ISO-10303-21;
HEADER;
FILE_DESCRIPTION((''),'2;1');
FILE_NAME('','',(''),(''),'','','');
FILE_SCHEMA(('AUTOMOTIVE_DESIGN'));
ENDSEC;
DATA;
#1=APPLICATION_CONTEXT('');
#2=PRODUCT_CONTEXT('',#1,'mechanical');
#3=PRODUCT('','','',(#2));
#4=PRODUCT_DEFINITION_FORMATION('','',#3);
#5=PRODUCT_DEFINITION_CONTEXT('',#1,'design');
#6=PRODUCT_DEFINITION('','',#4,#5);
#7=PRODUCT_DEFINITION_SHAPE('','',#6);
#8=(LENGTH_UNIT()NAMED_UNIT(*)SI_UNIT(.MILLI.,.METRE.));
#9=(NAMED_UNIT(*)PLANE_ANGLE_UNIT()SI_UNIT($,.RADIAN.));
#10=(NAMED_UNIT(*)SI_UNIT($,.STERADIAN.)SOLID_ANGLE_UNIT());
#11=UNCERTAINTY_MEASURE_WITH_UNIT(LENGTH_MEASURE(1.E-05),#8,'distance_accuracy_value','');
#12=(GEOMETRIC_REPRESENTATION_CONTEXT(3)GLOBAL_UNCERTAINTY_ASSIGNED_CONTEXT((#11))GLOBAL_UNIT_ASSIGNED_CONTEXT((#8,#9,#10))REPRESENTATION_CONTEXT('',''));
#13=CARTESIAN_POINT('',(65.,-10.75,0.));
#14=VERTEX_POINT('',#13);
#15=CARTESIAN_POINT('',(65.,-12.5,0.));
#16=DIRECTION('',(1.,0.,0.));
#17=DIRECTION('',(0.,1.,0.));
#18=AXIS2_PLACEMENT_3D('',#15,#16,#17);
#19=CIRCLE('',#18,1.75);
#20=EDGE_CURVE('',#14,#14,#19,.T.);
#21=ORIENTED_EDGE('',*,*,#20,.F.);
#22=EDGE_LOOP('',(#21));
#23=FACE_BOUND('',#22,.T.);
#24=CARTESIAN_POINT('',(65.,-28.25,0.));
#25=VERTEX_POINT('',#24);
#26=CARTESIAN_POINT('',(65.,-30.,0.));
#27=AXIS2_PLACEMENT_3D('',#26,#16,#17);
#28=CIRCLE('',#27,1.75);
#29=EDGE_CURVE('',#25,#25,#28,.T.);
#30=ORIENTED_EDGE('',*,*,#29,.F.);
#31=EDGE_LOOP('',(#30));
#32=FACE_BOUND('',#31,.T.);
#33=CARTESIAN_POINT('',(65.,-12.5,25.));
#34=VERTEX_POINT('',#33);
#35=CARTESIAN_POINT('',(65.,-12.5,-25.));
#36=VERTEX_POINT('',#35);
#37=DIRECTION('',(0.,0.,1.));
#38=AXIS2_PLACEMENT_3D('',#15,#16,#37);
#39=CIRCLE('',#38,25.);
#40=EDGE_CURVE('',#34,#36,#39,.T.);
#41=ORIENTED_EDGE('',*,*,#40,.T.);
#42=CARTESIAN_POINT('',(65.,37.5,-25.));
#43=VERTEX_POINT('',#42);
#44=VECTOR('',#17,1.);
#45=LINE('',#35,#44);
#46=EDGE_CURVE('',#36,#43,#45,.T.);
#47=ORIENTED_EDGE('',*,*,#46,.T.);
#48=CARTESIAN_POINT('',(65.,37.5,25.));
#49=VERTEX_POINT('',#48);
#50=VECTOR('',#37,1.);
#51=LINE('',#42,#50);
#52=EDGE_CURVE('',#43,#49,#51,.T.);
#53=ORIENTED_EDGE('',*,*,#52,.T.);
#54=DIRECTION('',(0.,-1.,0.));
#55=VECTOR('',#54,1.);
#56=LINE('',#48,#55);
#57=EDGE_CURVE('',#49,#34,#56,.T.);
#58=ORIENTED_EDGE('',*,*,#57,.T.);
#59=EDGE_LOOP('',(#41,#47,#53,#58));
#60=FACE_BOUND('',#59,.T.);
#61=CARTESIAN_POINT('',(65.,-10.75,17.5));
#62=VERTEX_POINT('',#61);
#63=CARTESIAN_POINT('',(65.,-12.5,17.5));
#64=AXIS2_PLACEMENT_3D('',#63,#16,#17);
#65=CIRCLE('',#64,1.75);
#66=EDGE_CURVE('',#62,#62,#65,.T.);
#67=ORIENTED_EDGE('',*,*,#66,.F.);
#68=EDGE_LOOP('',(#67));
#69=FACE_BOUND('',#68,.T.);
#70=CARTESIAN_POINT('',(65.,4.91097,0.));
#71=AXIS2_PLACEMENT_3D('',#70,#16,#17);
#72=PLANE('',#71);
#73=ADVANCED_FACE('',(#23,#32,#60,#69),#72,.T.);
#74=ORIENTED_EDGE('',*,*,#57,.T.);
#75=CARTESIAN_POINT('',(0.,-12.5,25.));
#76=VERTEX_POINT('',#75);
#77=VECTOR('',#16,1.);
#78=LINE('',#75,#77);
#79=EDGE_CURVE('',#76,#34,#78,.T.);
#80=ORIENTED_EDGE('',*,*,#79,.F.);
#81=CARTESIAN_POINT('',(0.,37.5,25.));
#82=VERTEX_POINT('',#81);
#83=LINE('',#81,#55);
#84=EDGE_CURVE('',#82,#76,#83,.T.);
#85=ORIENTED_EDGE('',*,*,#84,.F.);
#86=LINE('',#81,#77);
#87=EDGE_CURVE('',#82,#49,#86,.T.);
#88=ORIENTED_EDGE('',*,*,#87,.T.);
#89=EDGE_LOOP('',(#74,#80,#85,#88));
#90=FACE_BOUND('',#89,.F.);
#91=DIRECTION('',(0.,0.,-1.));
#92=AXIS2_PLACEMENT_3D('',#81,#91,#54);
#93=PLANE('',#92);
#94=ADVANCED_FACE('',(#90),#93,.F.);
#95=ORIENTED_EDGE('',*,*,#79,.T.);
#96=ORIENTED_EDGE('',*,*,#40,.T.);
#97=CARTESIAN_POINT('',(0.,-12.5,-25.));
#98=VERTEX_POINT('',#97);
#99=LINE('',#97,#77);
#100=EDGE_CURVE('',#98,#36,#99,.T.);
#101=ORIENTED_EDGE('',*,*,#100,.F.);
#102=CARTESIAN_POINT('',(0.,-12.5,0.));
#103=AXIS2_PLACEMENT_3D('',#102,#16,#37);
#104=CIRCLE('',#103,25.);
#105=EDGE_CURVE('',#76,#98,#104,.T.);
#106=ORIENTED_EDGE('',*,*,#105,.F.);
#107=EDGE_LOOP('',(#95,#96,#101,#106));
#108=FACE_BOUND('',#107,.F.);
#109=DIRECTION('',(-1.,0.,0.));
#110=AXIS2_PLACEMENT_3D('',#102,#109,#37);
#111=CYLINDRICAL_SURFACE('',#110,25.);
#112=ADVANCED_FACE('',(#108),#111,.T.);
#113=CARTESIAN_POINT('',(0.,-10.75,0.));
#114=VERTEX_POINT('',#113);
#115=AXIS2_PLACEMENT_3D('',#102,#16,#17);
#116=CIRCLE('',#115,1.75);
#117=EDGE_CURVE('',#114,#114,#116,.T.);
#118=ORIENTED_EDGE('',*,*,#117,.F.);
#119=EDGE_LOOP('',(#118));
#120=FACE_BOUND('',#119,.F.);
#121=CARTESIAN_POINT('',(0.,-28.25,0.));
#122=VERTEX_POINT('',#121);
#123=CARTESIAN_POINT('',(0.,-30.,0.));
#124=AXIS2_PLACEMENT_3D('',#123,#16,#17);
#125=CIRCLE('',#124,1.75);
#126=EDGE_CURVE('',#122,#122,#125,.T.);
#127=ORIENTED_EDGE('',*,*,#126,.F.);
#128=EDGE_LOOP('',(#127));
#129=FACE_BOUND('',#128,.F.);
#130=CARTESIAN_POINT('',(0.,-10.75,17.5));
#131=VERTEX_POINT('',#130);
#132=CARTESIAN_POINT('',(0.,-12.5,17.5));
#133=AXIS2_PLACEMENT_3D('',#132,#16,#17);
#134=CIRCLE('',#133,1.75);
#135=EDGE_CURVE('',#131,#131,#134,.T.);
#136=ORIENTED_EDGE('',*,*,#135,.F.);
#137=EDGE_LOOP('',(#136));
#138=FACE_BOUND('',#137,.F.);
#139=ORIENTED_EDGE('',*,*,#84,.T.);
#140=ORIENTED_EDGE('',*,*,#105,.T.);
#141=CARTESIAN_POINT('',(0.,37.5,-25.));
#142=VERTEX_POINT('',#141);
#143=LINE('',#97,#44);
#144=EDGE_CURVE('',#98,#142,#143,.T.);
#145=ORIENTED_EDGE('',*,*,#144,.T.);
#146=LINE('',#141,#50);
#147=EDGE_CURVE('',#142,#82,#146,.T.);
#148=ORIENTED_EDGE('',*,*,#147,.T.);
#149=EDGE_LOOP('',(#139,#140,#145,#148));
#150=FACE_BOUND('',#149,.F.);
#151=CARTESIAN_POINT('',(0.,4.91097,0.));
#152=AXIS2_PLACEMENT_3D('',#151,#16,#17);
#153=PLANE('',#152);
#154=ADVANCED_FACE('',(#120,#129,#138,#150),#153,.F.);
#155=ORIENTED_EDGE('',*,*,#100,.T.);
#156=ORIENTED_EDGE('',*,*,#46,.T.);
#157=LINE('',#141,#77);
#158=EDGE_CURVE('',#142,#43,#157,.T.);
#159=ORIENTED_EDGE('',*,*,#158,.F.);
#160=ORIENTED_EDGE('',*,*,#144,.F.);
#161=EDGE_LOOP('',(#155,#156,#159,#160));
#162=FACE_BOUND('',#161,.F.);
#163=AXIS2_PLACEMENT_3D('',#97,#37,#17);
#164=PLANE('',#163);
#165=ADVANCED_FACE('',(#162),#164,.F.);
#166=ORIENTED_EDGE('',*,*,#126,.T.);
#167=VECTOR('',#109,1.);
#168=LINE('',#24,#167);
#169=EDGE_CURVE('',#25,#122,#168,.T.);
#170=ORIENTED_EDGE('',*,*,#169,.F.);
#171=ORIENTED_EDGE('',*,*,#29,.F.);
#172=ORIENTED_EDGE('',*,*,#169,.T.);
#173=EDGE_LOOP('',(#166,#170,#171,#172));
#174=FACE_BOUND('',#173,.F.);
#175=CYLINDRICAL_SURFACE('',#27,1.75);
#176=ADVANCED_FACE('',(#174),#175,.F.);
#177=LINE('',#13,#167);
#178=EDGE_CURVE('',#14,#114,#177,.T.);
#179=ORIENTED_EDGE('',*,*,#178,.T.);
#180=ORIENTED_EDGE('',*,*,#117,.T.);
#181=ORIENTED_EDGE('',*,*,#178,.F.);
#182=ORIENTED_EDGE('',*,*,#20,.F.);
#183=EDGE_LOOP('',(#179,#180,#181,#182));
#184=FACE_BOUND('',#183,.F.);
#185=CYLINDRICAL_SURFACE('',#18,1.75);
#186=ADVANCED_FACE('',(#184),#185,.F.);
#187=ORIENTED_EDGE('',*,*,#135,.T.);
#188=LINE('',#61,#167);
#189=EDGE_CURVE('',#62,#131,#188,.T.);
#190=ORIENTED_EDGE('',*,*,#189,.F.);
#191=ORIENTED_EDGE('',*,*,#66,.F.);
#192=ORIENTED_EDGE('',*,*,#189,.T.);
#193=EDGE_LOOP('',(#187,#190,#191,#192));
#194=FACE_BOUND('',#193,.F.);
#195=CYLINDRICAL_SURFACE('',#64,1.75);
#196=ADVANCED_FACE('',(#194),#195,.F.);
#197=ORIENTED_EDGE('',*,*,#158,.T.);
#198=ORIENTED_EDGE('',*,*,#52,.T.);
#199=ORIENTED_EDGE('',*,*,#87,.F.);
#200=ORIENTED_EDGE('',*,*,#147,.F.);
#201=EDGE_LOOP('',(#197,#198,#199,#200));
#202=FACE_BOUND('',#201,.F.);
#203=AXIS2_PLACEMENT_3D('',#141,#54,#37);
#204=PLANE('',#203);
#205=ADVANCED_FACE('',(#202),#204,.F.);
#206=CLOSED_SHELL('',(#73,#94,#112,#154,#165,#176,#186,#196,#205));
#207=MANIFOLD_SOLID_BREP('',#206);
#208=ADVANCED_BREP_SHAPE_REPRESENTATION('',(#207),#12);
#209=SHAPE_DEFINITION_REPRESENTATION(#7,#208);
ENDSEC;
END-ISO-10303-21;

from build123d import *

# Parameters (mm, degrees)
F1_DEPTH = 65
F2_R     = 1.75
F3_DEPTH = 65


with BuildPart() as f1:
    # F0 (on Right) → F1 (new body)
    with BuildSketch(Plane.YZ):
        with BuildLine():
            Line((37.5, -25), (37.5, 25))
            Line((37.5, 25), (-12.5, 25))
            ThreePointArc((-12.5, 25), (-37.5, 0), (-12.5, -25))
            Line((-12.5, -25), (37.5, -25))
        make_face()
    extrude(amount=F1_DEPTH)

    # F2 (on face) → F3 (cut)
    with BuildSketch(Plane.YZ.offset(65)):
        with Locations((-12.5, 0)):
            Circle(F2_R)
        with Locations((-12.5, 17.5)):
            Circle(F2_R)
        with Locations((-30, 0)):
            Circle(F2_R)
    extrude(amount=-F3_DEPTH, mode=Mode.SUBTRACT)


solid = f1.part
